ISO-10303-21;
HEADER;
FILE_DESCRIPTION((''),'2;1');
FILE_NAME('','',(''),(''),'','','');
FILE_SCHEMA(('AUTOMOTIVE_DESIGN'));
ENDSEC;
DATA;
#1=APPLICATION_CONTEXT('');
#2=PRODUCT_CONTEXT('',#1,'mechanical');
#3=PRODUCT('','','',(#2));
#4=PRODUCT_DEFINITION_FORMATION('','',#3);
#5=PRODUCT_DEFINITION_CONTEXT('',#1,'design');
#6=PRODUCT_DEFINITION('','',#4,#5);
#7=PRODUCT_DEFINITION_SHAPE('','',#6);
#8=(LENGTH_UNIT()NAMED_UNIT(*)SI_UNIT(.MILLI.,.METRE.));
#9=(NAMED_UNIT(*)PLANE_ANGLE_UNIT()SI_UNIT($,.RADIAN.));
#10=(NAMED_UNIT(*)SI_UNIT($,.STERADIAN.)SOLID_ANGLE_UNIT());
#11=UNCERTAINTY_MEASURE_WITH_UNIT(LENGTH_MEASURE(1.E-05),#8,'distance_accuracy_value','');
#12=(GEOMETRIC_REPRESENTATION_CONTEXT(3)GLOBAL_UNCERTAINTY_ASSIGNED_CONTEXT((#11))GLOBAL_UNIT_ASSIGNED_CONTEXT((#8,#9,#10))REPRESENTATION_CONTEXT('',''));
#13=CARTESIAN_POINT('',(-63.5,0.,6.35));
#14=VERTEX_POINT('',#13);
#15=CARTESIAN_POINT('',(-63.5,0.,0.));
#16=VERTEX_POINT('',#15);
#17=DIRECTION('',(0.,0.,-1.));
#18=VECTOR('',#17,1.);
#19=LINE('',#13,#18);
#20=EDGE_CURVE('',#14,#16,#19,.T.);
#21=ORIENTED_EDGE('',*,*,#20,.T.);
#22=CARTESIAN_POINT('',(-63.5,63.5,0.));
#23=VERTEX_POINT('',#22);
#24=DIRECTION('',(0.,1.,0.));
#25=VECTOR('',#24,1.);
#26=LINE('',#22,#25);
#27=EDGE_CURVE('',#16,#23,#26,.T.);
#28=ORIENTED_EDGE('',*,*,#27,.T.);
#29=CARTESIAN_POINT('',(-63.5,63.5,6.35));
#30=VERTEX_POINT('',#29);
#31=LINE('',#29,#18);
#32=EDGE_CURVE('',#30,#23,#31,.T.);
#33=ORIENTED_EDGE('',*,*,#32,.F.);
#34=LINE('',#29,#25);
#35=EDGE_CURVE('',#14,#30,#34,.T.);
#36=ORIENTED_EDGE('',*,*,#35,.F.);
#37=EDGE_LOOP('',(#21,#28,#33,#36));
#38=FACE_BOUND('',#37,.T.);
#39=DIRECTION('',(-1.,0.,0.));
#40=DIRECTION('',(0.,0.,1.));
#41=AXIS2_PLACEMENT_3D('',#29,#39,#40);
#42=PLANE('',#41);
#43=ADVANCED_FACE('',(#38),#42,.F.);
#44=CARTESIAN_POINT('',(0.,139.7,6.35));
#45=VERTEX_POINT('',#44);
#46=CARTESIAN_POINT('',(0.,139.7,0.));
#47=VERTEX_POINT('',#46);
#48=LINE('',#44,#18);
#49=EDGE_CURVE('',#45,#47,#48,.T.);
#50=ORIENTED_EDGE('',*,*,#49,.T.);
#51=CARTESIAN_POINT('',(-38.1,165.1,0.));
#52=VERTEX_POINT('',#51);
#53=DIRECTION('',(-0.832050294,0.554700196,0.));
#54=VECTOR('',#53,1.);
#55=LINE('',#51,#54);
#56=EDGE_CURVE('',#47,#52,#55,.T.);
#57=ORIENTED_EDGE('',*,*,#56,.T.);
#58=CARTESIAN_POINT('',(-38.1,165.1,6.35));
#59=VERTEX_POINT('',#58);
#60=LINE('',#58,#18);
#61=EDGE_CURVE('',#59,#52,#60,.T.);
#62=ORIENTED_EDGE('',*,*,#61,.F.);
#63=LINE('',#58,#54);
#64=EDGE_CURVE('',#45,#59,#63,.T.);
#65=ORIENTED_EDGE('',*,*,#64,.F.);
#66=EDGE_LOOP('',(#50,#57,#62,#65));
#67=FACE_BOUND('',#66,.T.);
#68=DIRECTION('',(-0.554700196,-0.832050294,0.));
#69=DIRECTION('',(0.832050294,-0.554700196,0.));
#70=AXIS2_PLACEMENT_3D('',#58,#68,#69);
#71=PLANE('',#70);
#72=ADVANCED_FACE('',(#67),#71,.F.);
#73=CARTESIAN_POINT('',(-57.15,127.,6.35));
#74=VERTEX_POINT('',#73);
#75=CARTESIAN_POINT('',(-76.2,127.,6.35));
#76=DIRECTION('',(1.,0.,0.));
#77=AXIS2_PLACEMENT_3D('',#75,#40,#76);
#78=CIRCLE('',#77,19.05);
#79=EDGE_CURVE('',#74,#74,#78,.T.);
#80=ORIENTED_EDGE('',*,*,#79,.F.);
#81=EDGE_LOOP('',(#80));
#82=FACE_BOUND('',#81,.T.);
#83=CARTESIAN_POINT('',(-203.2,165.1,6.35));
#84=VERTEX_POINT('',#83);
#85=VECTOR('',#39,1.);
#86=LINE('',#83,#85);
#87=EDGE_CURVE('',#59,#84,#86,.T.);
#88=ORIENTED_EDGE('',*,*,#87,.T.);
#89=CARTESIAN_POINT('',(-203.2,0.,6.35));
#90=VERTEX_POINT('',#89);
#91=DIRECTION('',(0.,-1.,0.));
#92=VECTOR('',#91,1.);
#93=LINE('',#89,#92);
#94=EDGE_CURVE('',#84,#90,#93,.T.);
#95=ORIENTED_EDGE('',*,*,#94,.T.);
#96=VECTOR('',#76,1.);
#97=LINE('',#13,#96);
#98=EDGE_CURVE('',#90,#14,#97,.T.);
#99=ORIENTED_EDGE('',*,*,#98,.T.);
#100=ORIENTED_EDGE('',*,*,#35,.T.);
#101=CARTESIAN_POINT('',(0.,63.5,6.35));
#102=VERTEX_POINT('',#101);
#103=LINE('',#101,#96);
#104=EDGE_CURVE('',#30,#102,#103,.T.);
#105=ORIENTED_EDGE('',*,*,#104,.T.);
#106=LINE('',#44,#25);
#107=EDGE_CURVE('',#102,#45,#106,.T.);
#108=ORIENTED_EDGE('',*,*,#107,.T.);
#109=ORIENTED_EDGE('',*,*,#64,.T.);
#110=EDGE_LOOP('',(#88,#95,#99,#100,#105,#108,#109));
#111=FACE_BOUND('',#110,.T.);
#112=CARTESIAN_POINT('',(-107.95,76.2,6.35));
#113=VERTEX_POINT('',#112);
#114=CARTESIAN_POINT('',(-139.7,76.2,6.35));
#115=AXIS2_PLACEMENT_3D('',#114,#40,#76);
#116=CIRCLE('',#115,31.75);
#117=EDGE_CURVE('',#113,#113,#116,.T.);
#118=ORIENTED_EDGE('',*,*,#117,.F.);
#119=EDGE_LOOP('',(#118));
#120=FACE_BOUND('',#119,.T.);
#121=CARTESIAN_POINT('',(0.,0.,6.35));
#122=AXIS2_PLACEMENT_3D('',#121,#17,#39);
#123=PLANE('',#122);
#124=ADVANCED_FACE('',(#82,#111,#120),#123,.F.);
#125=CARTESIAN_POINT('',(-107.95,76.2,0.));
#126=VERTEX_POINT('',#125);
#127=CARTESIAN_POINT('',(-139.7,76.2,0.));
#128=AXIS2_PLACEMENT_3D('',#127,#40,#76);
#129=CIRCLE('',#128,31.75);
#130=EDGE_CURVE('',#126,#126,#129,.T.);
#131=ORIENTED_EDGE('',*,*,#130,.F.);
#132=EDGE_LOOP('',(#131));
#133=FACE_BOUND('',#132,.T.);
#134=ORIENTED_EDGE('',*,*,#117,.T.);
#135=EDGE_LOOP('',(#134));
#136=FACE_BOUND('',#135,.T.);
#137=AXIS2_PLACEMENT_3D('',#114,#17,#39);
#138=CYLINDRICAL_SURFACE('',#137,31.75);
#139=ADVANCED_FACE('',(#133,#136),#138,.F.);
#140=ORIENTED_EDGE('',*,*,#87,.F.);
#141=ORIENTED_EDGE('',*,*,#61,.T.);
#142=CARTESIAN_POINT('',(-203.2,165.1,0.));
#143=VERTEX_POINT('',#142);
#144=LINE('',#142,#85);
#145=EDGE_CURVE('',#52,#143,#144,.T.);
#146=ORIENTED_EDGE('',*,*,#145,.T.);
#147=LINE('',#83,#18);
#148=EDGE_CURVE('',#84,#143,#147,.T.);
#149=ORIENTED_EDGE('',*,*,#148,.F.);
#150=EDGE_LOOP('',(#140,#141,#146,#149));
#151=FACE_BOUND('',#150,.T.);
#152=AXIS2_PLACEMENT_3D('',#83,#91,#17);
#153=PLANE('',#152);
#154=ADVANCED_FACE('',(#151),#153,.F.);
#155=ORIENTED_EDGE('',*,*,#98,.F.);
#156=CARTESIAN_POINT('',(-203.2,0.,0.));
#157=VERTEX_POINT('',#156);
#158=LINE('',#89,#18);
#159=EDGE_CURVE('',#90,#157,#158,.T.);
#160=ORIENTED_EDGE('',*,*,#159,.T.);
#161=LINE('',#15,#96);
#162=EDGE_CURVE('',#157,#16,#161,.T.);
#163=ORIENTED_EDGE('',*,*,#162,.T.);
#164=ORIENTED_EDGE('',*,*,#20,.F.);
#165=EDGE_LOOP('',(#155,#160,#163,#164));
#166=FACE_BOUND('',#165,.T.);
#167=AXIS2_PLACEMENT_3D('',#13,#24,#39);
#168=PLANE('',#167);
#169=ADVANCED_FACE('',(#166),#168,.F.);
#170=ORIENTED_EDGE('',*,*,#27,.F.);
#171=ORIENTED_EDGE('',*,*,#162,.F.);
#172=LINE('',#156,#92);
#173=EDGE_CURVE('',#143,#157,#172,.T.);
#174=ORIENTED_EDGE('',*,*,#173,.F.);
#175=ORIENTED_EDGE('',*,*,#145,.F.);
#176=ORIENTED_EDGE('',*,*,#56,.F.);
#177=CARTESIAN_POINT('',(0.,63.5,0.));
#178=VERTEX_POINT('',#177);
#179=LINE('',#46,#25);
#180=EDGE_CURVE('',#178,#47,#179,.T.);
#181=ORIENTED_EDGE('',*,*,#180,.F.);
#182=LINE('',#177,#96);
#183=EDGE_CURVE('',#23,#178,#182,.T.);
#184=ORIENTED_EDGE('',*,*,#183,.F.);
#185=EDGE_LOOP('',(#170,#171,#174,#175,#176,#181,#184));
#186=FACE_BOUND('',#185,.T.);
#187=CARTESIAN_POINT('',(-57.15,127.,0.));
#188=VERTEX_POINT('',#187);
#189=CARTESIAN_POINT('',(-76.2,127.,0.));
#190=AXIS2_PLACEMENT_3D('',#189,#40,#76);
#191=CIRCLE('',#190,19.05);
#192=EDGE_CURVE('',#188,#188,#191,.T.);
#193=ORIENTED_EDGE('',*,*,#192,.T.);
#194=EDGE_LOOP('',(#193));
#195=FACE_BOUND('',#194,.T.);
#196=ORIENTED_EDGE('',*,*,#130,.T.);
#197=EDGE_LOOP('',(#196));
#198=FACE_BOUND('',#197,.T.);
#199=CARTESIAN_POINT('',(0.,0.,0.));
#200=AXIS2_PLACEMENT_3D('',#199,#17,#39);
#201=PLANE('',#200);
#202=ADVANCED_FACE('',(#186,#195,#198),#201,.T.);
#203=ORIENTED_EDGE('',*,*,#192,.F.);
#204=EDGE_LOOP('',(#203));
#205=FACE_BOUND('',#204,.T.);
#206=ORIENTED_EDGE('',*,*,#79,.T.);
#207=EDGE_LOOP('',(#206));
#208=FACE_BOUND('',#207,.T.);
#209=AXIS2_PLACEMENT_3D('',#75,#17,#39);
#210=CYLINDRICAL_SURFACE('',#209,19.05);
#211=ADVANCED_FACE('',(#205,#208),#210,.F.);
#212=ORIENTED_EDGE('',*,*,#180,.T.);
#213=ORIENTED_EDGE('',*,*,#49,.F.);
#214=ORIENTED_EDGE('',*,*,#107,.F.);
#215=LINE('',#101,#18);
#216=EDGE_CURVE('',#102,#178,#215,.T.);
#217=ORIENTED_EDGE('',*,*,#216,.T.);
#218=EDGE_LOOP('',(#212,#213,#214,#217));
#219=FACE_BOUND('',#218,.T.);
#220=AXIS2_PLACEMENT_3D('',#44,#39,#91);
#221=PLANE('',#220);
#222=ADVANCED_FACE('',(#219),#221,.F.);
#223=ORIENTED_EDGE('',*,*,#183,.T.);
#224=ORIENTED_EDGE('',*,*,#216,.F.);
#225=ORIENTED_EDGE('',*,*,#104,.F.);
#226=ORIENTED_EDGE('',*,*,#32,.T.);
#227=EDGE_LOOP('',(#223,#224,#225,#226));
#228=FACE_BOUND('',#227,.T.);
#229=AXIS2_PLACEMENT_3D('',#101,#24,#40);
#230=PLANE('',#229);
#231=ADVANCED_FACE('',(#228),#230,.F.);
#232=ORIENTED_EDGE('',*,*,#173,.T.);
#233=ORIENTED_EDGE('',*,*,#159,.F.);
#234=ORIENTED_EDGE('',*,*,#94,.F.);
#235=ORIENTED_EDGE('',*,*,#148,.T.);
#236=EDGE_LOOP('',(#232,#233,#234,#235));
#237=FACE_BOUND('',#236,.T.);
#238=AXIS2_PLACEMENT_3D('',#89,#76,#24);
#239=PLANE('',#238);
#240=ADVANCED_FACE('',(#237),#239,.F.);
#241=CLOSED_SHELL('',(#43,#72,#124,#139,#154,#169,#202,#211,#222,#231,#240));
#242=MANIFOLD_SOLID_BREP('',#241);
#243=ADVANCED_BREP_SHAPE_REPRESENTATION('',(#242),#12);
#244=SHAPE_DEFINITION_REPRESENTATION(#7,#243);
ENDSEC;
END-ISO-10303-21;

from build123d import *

# Parameters (mm, degrees)
SKETCH1_R           = 19.05
SKETCH1_R_2         = 31.75
BOSS_EXTRUDE1_DEPTH = 6.35


with BuildPart() as part:
    # Sketch1 → Boss-Extrude1 (new body)
    with BuildSketch(Plane.XY):
        Polygon((0, 63.5), (-63.5, 63.5), (-63.5, 0), (-203.2, 0), (-203.2, 165.1), (-38.1, 165.1), (0, 139.7), align=None)
        with Locations((-76.2, 127)):
            Circle(SKETCH1_R, mode=Mode.SUBTRACT)
        with Locations((-139.7, 76.2)):
            Circle(SKETCH1_R_2, mode=Mode.SUBTRACT)
    extrude(amount=BOSS_EXTRUDE1_DEPTH)


solid = part.part
